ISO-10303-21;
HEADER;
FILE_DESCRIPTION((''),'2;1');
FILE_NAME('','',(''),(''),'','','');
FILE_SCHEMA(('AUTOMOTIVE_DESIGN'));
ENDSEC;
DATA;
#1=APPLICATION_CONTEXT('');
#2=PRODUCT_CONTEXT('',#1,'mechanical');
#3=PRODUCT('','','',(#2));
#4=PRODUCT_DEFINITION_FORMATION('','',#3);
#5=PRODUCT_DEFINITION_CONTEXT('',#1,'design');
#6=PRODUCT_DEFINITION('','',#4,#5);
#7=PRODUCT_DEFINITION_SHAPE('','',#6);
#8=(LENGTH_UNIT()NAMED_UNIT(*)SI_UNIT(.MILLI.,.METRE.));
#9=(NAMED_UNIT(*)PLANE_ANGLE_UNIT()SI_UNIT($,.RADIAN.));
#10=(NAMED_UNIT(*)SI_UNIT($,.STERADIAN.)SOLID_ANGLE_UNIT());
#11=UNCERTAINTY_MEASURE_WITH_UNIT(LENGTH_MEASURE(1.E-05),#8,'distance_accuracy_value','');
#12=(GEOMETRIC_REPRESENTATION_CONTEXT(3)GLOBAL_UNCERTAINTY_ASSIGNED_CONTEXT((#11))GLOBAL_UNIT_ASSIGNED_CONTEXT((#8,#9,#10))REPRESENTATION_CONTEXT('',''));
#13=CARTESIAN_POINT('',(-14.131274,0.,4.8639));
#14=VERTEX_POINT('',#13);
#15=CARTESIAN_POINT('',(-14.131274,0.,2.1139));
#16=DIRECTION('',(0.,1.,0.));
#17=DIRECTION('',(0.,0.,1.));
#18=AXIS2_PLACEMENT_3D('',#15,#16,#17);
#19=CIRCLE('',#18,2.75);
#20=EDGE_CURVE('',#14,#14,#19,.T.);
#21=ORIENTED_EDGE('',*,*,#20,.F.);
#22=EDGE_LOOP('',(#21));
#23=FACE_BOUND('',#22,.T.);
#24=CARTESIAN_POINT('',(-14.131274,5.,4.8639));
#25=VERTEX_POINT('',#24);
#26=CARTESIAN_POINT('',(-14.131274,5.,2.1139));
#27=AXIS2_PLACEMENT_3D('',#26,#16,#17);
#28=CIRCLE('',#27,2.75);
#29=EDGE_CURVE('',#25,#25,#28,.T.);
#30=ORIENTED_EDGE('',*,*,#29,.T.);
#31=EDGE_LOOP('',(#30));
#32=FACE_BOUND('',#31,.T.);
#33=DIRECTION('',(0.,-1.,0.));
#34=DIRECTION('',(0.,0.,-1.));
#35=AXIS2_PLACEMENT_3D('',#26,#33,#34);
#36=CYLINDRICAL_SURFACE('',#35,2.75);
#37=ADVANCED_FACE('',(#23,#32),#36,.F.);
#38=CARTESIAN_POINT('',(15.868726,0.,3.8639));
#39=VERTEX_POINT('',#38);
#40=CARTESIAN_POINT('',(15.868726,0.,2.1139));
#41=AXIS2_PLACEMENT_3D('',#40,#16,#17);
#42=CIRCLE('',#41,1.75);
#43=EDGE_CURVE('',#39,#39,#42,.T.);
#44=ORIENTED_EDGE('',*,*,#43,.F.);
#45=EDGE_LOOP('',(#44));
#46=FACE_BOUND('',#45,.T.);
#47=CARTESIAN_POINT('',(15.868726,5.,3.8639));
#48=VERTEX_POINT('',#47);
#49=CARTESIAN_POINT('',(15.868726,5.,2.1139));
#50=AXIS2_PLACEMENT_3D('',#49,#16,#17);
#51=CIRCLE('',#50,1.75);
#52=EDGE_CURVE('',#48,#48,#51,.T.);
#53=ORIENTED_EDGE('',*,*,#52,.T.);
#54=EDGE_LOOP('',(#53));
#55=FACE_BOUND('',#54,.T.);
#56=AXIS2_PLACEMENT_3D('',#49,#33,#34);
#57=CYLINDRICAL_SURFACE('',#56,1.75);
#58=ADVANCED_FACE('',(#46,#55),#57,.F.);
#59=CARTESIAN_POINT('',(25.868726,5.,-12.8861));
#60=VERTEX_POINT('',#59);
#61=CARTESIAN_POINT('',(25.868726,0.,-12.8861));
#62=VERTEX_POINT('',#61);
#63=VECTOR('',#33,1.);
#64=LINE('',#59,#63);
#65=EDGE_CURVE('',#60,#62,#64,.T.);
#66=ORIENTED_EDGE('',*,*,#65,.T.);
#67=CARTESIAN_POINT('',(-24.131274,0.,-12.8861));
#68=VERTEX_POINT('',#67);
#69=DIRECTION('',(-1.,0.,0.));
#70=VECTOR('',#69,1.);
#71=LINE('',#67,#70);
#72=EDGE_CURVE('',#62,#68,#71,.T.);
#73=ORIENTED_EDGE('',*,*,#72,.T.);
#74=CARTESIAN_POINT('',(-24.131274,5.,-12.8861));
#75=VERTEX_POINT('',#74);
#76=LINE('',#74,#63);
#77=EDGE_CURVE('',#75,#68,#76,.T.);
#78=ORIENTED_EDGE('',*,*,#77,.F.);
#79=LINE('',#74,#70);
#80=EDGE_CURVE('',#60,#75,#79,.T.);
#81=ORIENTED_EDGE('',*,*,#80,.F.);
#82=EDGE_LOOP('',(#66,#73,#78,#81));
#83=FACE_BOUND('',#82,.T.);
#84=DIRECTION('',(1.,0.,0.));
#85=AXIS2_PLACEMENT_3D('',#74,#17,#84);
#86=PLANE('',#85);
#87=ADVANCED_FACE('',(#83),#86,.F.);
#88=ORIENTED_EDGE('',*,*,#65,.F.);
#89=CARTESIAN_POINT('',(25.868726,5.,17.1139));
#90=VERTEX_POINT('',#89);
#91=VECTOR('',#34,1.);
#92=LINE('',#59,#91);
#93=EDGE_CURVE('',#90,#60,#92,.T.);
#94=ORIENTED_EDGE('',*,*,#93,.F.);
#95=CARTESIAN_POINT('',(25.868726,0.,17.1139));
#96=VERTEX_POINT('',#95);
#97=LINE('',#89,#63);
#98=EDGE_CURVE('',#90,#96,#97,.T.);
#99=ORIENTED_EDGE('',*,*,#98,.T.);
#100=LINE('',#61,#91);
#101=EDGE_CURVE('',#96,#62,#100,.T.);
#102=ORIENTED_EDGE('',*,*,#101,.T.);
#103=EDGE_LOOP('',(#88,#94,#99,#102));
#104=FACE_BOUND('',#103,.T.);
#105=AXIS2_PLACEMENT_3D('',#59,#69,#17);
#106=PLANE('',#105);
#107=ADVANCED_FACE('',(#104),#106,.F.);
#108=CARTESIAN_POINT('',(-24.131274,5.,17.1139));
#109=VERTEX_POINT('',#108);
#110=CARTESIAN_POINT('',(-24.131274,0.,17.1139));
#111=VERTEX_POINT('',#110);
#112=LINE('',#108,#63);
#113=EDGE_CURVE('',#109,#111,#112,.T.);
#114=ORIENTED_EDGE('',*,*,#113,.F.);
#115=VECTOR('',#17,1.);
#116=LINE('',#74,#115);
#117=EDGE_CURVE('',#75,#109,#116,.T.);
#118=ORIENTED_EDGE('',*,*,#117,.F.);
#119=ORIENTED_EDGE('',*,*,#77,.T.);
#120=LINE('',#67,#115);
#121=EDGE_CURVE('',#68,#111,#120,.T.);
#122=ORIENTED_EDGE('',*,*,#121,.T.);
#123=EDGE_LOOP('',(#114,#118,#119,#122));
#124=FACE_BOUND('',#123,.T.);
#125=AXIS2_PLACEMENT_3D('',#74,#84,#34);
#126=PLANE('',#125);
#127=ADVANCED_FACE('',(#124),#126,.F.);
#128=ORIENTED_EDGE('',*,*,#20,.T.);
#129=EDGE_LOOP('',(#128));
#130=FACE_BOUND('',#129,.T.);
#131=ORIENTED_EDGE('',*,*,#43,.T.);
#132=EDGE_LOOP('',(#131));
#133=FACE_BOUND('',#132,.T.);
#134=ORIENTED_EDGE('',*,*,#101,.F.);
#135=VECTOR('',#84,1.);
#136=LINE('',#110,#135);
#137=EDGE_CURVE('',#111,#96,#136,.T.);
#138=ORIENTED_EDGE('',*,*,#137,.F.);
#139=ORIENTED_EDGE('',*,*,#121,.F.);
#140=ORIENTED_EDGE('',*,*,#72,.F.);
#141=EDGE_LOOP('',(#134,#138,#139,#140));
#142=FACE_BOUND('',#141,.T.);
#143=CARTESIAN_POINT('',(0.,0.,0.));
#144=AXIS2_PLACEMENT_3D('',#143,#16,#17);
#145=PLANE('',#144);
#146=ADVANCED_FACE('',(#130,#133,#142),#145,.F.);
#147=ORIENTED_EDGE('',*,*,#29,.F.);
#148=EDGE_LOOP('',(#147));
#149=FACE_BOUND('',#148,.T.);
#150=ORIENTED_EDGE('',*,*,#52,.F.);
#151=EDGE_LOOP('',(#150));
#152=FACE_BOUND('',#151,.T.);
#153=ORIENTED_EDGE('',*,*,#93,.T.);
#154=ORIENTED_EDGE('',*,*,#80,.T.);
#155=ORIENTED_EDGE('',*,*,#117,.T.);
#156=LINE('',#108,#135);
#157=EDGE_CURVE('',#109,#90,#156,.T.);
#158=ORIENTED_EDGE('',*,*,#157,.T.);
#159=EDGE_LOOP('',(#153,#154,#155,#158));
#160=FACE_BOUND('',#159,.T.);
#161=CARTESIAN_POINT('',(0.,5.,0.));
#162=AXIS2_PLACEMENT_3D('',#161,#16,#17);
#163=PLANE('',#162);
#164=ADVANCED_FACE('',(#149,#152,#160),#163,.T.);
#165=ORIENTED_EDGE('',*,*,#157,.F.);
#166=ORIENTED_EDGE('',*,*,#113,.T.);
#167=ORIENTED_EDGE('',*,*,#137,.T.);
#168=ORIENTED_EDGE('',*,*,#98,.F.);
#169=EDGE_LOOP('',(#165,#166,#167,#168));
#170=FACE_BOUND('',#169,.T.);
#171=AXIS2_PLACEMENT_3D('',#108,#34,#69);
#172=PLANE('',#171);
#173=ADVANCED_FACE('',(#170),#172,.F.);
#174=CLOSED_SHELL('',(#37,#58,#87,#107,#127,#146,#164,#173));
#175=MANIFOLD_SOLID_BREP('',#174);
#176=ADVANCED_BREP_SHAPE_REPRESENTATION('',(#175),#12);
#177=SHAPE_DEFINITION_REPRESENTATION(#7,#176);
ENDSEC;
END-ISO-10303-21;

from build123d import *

# Parameters (mm, degrees)
SKETCH_1_W      = 50
SKETCH_1_H      = 30
SKETCH_1_R      = 2.75
SKETCH_1_R_2    = 1.75
EXTRUDE_1_DEPTH = 5


with BuildPart() as part:
    # 草图1 → 凸台-拉伸1 (new body)
    with BuildSketch(Plane(origin=(0, 0, 0), x_dir=(1, 0, 0), z_dir=(0, 1, 0))):
        with Locations((0.868725869, -2.113899614)):
            Rectangle(SKETCH_1_W, SKETCH_1_H)
        with Locations(Location((-14.131274131, -2.113899614, 0), (0, 0, 270))):
            Circle(SKETCH_1_R, mode=Mode.SUBTRACT)
        with Locations(Location((15.868725869, -2.113899614, 0), (0, 0, 270))):
            Circle(SKETCH_1_R_2, mode=Mode.SUBTRACT)
    extrude(amount=EXTRUDE_1_DEPTH)


solid = part.part
